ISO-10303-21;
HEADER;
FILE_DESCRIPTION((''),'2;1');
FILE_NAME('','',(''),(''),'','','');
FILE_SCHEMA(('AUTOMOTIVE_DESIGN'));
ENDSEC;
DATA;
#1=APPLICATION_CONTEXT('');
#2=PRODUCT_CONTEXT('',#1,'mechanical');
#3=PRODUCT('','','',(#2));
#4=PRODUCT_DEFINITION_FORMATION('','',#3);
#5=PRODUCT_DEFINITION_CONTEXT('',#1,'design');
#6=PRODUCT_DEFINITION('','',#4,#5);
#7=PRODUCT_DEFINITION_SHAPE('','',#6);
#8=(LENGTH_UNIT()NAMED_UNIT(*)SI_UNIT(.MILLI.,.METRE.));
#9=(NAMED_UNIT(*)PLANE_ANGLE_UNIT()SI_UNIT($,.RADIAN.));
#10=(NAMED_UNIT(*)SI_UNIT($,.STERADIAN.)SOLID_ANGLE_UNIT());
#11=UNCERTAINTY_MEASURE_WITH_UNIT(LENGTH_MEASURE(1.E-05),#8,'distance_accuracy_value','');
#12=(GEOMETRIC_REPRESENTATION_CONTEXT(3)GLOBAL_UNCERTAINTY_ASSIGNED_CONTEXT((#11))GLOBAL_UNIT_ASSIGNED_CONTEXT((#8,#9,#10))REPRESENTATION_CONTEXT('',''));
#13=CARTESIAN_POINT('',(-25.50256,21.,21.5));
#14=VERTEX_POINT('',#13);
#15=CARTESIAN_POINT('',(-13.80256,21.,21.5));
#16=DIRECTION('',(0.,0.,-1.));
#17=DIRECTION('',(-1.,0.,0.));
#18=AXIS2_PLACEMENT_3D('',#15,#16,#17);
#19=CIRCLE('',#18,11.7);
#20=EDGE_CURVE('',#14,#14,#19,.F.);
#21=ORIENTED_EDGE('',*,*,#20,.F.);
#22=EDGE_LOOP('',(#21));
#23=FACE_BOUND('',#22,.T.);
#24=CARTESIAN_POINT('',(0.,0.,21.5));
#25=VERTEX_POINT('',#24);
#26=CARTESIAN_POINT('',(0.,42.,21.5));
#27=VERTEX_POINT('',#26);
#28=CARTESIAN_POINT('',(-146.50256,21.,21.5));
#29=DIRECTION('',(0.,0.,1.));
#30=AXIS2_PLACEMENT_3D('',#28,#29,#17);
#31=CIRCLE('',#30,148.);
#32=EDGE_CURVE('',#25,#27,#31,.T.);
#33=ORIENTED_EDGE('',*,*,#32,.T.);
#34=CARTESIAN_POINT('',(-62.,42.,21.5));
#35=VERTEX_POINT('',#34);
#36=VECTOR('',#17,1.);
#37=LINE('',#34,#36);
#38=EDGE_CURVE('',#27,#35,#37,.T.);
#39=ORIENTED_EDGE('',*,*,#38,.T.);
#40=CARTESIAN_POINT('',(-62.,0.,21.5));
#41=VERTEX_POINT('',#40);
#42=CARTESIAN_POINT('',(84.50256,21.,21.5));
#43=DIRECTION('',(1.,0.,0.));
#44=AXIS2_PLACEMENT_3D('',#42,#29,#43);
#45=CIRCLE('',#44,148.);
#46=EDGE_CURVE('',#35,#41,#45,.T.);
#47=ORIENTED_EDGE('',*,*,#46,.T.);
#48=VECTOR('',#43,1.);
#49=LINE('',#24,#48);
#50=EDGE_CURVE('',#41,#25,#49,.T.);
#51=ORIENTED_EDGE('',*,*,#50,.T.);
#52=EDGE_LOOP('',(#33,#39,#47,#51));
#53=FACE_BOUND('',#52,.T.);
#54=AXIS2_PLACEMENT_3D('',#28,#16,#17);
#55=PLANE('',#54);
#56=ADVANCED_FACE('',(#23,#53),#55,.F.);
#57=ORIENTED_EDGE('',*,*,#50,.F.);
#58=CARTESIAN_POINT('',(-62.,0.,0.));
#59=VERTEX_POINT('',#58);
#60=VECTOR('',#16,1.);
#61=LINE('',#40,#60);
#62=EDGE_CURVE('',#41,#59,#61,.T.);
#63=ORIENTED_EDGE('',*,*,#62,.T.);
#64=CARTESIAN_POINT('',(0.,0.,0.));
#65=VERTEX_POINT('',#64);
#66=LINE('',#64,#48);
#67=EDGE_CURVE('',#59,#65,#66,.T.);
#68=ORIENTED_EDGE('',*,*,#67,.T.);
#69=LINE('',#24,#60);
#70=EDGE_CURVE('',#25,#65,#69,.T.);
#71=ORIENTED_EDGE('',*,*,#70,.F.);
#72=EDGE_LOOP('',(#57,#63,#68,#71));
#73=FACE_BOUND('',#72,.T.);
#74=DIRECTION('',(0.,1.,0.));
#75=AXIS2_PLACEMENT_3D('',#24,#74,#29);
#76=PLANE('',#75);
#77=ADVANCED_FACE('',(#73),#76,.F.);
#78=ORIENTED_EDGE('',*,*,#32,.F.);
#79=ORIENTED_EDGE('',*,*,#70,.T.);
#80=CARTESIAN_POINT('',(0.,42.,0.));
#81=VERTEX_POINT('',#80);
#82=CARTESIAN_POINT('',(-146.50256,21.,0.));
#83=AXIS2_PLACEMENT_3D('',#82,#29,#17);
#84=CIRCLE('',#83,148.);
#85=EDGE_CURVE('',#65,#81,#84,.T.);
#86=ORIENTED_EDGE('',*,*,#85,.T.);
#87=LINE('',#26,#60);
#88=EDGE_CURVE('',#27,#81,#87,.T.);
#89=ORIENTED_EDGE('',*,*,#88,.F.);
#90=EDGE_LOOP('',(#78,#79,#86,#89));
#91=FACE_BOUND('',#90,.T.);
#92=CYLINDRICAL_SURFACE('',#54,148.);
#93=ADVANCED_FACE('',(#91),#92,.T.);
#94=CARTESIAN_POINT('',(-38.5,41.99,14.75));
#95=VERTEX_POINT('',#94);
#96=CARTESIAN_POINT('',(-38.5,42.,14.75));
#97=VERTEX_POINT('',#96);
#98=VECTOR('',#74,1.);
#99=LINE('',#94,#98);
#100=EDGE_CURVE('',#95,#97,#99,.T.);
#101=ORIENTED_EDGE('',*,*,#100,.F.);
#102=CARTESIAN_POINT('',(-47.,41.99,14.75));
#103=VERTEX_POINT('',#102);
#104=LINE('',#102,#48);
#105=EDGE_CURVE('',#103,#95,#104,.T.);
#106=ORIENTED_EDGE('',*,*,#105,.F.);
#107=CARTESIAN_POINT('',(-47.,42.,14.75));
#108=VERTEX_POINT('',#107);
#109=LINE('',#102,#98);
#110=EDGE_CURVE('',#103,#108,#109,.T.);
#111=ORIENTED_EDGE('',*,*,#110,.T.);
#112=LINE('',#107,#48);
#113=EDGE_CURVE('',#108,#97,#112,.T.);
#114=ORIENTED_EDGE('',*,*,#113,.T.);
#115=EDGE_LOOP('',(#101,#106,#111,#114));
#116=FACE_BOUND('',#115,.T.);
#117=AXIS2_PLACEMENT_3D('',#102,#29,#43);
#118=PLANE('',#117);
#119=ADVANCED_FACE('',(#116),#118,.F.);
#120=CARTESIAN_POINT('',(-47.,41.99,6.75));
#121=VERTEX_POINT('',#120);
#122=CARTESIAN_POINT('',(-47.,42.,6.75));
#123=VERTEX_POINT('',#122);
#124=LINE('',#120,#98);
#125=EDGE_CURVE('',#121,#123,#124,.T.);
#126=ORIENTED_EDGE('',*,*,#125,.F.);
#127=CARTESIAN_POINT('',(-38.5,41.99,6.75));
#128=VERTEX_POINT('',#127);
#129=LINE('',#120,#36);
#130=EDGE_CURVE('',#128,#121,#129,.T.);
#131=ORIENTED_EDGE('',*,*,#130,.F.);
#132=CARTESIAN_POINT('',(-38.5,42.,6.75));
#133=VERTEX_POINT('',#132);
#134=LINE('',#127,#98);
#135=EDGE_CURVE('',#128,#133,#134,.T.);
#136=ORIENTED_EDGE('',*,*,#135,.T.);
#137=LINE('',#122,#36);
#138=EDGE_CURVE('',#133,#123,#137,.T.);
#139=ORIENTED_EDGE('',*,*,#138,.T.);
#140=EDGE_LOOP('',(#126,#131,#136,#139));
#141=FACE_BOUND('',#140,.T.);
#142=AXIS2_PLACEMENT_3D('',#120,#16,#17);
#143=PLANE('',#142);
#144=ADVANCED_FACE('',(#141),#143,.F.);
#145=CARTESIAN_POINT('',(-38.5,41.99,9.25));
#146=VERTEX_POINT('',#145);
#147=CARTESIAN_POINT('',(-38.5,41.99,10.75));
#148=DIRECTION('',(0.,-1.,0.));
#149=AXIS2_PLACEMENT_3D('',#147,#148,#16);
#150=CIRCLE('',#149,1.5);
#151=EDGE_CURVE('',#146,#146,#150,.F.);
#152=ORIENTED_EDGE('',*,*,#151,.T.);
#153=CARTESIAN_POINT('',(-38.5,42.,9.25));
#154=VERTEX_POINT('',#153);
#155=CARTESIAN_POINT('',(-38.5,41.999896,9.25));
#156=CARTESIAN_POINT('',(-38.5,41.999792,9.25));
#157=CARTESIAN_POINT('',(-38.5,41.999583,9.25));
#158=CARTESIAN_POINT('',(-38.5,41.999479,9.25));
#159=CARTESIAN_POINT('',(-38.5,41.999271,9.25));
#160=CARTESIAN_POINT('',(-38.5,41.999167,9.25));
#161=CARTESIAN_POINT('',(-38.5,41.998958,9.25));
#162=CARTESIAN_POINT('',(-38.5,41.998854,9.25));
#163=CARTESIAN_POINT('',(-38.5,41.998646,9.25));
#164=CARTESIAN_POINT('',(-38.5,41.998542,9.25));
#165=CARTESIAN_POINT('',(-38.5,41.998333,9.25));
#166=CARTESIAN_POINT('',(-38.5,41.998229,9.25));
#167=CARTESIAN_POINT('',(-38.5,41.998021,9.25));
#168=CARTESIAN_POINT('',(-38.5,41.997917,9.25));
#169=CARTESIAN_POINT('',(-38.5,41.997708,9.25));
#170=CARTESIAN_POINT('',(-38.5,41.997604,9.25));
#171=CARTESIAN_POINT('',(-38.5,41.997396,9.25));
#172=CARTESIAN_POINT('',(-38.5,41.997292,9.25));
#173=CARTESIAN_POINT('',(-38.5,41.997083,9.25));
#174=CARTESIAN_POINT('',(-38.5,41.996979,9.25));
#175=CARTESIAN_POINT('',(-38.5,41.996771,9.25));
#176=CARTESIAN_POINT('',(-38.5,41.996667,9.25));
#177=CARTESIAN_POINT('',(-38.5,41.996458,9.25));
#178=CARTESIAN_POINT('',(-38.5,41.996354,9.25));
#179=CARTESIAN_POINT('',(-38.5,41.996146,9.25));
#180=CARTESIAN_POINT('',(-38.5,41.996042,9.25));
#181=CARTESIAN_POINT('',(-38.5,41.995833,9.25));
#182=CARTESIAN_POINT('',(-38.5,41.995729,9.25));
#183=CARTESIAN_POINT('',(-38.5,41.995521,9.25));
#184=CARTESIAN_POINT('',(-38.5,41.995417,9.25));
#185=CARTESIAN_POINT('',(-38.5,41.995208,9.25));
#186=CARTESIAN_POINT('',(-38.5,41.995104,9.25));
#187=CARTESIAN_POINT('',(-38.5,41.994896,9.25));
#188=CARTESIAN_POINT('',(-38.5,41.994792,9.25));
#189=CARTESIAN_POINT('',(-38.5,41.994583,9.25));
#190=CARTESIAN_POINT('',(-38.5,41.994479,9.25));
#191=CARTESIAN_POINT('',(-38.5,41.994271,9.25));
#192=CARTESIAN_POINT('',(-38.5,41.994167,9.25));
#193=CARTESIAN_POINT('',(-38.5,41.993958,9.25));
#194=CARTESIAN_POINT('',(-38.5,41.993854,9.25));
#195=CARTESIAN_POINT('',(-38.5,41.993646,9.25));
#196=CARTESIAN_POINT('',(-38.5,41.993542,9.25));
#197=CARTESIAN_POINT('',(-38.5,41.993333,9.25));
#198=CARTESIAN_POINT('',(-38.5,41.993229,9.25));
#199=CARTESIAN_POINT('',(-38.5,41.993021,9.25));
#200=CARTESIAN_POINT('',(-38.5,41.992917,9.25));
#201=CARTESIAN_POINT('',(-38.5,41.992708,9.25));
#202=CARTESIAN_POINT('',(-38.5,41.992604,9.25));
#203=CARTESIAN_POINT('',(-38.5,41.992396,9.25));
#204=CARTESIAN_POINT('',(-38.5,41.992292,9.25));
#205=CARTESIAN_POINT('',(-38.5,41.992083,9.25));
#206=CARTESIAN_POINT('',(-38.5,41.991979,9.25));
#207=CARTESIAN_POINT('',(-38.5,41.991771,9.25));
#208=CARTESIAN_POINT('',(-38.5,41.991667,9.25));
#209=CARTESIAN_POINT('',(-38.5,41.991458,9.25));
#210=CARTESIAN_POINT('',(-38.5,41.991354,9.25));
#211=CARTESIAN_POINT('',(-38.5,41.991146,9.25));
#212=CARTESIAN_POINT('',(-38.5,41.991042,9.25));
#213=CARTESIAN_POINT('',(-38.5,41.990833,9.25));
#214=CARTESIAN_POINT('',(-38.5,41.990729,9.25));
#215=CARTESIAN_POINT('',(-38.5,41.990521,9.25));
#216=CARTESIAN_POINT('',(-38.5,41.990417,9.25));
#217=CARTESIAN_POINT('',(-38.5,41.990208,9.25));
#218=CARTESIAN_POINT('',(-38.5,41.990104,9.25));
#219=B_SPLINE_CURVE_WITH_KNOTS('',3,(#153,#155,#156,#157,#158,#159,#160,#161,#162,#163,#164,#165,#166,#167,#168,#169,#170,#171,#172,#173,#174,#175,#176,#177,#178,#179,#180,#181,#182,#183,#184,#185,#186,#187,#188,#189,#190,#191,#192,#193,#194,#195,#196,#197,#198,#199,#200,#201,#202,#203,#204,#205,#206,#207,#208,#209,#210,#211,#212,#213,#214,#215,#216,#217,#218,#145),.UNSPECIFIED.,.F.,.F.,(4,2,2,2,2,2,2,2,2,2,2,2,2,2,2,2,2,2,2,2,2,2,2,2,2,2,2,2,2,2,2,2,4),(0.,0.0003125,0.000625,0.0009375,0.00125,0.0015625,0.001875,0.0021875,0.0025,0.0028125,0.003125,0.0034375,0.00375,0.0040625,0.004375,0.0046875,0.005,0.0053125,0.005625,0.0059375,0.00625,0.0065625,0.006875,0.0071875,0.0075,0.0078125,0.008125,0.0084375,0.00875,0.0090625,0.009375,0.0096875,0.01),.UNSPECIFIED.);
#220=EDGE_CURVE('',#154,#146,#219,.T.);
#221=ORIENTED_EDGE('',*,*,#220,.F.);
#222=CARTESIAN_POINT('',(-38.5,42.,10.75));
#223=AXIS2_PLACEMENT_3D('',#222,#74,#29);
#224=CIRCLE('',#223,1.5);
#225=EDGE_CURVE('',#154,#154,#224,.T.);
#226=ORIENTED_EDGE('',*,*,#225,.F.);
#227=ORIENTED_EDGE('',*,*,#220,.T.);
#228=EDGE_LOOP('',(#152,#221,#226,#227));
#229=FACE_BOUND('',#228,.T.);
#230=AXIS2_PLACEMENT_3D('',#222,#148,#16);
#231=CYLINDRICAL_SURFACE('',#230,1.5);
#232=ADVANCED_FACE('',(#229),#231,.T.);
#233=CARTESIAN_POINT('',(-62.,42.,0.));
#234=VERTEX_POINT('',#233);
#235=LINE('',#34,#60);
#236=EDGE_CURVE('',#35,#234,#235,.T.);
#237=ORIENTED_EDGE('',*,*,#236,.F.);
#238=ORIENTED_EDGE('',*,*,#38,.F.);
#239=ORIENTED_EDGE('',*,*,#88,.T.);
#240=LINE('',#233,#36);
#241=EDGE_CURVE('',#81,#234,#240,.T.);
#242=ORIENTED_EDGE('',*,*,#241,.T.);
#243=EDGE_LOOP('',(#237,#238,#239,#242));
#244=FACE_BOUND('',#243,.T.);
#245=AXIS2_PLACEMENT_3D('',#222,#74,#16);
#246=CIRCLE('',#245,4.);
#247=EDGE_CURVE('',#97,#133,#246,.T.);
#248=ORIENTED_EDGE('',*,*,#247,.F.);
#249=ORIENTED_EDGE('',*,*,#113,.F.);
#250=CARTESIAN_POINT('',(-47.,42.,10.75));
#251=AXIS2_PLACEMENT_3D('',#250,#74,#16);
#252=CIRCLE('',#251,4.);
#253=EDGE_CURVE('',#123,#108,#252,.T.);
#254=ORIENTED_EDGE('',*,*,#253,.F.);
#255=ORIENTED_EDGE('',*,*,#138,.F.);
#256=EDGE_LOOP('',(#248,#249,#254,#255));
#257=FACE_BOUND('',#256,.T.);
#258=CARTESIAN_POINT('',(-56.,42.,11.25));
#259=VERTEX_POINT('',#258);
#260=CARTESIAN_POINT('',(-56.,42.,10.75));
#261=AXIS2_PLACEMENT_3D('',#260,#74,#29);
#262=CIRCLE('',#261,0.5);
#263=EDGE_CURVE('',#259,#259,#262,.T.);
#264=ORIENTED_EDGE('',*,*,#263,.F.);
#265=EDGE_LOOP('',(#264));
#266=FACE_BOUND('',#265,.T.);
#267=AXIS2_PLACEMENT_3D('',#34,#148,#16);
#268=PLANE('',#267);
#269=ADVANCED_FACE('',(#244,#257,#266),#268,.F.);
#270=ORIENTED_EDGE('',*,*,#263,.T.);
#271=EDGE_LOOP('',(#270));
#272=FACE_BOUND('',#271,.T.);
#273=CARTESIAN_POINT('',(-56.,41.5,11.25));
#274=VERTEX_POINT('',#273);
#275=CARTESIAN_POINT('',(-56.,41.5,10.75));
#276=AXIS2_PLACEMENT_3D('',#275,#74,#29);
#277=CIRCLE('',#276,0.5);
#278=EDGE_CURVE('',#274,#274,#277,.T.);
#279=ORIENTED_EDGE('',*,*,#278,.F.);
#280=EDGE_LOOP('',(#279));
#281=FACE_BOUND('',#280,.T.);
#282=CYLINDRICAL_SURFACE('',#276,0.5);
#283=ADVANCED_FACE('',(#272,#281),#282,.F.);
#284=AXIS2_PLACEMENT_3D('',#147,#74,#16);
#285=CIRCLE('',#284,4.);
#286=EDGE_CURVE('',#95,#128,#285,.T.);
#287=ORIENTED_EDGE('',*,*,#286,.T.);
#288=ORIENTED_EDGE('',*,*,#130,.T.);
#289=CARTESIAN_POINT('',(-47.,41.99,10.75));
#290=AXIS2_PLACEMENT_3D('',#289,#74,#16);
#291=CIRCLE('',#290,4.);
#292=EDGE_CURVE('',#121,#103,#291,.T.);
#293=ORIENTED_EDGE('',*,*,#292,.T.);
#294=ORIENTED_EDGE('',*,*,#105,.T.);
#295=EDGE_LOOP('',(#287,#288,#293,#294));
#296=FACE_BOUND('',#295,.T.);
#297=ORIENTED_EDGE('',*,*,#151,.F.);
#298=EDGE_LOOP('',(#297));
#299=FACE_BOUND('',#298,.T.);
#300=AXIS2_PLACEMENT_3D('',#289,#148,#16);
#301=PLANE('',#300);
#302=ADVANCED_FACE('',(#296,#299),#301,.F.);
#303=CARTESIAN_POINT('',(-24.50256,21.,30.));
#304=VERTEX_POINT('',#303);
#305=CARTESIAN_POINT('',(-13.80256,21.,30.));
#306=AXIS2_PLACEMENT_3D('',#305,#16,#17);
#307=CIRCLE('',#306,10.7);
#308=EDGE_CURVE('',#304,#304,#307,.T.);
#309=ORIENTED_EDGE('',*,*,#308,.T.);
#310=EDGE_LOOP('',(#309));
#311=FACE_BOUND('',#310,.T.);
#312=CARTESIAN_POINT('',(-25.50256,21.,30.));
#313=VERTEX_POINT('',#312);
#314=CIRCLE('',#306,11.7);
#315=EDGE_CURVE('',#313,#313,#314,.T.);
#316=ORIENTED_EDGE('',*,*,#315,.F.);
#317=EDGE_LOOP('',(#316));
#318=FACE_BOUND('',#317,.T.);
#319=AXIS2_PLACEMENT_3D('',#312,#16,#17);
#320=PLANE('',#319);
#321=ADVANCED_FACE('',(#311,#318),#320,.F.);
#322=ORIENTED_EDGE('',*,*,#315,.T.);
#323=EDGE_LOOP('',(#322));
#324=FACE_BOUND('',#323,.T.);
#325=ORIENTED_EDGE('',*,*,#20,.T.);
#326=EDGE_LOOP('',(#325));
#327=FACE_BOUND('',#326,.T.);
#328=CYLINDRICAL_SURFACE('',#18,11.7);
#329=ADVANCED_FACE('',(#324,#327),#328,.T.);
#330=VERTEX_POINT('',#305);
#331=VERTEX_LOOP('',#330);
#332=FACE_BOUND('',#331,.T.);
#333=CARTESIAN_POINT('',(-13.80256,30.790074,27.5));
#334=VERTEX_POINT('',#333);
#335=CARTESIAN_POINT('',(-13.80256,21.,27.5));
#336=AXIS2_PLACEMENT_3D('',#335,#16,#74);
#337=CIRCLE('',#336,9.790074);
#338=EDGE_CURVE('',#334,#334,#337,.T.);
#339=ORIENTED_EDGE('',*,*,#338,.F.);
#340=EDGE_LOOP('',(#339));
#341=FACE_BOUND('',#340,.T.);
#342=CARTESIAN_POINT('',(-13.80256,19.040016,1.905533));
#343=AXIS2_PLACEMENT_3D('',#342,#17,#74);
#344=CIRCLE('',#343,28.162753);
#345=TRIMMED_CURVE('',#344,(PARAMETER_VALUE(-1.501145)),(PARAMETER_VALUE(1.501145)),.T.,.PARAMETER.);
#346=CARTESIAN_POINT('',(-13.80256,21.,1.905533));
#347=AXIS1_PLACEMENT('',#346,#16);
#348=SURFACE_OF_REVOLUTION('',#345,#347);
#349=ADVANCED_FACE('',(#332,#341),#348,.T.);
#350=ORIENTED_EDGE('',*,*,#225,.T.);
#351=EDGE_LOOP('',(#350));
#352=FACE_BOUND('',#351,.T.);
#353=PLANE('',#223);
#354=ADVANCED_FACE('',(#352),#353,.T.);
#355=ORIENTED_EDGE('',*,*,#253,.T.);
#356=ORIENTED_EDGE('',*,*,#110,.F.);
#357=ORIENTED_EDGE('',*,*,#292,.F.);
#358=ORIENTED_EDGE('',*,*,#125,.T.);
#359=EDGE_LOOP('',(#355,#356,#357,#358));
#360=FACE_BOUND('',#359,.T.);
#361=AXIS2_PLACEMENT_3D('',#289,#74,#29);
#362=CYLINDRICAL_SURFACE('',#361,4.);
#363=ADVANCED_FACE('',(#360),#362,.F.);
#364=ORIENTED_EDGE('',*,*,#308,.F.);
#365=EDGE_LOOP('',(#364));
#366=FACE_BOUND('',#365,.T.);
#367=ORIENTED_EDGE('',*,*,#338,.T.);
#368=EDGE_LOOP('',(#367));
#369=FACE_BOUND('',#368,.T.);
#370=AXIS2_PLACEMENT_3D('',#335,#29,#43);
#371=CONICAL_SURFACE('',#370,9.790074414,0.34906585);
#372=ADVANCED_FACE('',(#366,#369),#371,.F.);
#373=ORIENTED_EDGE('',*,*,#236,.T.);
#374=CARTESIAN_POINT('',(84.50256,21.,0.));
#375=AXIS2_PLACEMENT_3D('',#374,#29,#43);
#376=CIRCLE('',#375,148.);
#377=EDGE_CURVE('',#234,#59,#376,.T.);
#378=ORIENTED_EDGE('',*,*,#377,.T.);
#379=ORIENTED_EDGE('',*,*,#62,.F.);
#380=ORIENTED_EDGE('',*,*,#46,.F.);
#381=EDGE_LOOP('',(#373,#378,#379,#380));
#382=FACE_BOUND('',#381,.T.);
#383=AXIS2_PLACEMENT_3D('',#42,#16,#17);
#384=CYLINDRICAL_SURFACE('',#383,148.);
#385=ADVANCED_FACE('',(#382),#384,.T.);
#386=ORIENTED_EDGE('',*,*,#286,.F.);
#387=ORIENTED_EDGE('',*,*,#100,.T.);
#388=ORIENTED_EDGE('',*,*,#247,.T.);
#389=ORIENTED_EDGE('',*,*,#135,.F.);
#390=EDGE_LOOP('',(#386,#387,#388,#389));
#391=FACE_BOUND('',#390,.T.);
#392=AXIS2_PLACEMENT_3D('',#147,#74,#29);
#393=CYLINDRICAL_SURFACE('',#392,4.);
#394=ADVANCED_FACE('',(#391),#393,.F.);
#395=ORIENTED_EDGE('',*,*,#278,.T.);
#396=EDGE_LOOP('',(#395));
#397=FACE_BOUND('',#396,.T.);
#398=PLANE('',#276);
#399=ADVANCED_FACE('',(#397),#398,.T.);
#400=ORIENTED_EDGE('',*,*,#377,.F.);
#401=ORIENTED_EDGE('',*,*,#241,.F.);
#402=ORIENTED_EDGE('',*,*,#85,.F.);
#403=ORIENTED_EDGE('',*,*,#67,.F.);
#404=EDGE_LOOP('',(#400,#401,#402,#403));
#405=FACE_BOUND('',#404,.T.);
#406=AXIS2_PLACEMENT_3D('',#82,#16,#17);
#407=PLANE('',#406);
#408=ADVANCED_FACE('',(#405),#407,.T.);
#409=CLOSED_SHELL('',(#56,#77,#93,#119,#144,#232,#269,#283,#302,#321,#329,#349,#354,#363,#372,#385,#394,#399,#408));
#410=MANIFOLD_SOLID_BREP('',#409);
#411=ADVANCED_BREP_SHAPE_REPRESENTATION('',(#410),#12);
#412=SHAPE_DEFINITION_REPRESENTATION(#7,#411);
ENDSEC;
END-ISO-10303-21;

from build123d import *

# Parameters (mm, degrees)
SALIENTE_EXTRUIR1_DEPTH = 21.5
CORTAR_EXTRUIR1_DEPTH   = 0.01
CROQUIS3_R              = 1.5
SALIENTE_EXTRUIR2_DEPTH = 0.01
CROQUIS4_R              = 0.5
CORTAR_EXTRUIR2_DEPTH   = 0.5


with BuildPart() as part:
    # Croquis1 → Saliente-Extruir1 (new body)
    with BuildSketch(Plane.XY):
        with BuildLine():
            Line((0, 0), (-62, 0))
            ThreePointArc((-62, 0), (-63.497440295, 21), (-62, 42))
            Line((-62, 42), (0, 42))
            ThreePointArc((0, 42), (1.497440295, 21), (0, 0))
        make_face()
    extrude(amount=SALIENTE_EXTRUIR1_DEPTH)

    # Croquis2 → Cortar-Extruir1 (cut)
    with BuildSketch(Plane(origin=(0, 42, 0), x_dir=(1, 0, 0), z_dir=(0, 1, 0))):
        with BuildLine():
            Line((-47, -6.75), (-38.5, -6.75))
            ThreePointArc((-38.5, -6.75), (-34.5, -10.75), (-38.5, -14.75))
            Line((-38.5, -14.75), (-47, -14.75))
            ThreePointArc((-47, -14.75), (-51, -10.75), (-47, -6.75))
        make_face()
    extrude(amount=-CORTAR_EXTRUIR1_DEPTH, mode=Mode.SUBTRACT)

    # Croquis3 → Saliente-Extruir2 (add)
    with BuildSketch(Plane(origin=(0, 41.99, 0), x_dir=(1, 0, 0), z_dir=(0, 1, 0))):
        with Locations(Location((-38.5, -10.75, 0), (0, 0, 90))):
            Circle(CROQUIS3_R)
    extrude(amount=SALIENTE_EXTRUIR2_DEPTH)

    # Croquis4 → Cortar-Extruir2 (cut)
    with BuildSketch(Plane(origin=(0, 42, 0), x_dir=(1, 0, 0), z_dir=(0, 1, 0))):
        with Locations(Location((-56, -10.75, 0), (0, 0, 270))):
            Circle(CROQUIS4_R)
    extrude(amount=-CORTAR_EXTRUIR2_DEPTH, mode=Mode.SUBTRACT)

    # Croquis6 → Revolución1 (revolve)
    with BuildSketch(Plane(origin=(0, 21, 0), x_dir=(-1, 0, 0), z_dir=(0, -1, 0))):
        Polygon((25.502559705, -21.5), (25.502559705, -30), (24.502559705, -30), (23.592634119, -27.5), (22.592634119, -27.5), (13.802559705, -27.5), (13.802559705, -21.5), align=None)
    revolve(axis=Axis((-13.802559705, 21, 21.5), (0, 0, 1)))

    # Croquis9 → Revolución3 (revolve)
    with BuildSketch(Plane(origin=(0, 21, 0), x_dir=(1, 0, 0), z_dir=(0, 1, 0)), mode=Mode.PRIVATE) as revoluci_n3_sk:
        with BuildLine():
            Line((-13.802559705, -27.5), (-13.802559705, -30))
            ThreePointArc((-13.802559705, -30), (-18.810632516, -29.192650791), (-23.592634119, -27.5))
            Line((-23.592634119, -27.5), (-13.802559705, -27.5))
        make_face()
    revolve(revoluci_n3_sk.sketch.rotate(Axis((-13.802559705, 21, 27.5), (0, 0, 1)), 270), axis=Axis((-13.802559705, 21, 27.5), (0, 0, 1)))


solid = part.part
